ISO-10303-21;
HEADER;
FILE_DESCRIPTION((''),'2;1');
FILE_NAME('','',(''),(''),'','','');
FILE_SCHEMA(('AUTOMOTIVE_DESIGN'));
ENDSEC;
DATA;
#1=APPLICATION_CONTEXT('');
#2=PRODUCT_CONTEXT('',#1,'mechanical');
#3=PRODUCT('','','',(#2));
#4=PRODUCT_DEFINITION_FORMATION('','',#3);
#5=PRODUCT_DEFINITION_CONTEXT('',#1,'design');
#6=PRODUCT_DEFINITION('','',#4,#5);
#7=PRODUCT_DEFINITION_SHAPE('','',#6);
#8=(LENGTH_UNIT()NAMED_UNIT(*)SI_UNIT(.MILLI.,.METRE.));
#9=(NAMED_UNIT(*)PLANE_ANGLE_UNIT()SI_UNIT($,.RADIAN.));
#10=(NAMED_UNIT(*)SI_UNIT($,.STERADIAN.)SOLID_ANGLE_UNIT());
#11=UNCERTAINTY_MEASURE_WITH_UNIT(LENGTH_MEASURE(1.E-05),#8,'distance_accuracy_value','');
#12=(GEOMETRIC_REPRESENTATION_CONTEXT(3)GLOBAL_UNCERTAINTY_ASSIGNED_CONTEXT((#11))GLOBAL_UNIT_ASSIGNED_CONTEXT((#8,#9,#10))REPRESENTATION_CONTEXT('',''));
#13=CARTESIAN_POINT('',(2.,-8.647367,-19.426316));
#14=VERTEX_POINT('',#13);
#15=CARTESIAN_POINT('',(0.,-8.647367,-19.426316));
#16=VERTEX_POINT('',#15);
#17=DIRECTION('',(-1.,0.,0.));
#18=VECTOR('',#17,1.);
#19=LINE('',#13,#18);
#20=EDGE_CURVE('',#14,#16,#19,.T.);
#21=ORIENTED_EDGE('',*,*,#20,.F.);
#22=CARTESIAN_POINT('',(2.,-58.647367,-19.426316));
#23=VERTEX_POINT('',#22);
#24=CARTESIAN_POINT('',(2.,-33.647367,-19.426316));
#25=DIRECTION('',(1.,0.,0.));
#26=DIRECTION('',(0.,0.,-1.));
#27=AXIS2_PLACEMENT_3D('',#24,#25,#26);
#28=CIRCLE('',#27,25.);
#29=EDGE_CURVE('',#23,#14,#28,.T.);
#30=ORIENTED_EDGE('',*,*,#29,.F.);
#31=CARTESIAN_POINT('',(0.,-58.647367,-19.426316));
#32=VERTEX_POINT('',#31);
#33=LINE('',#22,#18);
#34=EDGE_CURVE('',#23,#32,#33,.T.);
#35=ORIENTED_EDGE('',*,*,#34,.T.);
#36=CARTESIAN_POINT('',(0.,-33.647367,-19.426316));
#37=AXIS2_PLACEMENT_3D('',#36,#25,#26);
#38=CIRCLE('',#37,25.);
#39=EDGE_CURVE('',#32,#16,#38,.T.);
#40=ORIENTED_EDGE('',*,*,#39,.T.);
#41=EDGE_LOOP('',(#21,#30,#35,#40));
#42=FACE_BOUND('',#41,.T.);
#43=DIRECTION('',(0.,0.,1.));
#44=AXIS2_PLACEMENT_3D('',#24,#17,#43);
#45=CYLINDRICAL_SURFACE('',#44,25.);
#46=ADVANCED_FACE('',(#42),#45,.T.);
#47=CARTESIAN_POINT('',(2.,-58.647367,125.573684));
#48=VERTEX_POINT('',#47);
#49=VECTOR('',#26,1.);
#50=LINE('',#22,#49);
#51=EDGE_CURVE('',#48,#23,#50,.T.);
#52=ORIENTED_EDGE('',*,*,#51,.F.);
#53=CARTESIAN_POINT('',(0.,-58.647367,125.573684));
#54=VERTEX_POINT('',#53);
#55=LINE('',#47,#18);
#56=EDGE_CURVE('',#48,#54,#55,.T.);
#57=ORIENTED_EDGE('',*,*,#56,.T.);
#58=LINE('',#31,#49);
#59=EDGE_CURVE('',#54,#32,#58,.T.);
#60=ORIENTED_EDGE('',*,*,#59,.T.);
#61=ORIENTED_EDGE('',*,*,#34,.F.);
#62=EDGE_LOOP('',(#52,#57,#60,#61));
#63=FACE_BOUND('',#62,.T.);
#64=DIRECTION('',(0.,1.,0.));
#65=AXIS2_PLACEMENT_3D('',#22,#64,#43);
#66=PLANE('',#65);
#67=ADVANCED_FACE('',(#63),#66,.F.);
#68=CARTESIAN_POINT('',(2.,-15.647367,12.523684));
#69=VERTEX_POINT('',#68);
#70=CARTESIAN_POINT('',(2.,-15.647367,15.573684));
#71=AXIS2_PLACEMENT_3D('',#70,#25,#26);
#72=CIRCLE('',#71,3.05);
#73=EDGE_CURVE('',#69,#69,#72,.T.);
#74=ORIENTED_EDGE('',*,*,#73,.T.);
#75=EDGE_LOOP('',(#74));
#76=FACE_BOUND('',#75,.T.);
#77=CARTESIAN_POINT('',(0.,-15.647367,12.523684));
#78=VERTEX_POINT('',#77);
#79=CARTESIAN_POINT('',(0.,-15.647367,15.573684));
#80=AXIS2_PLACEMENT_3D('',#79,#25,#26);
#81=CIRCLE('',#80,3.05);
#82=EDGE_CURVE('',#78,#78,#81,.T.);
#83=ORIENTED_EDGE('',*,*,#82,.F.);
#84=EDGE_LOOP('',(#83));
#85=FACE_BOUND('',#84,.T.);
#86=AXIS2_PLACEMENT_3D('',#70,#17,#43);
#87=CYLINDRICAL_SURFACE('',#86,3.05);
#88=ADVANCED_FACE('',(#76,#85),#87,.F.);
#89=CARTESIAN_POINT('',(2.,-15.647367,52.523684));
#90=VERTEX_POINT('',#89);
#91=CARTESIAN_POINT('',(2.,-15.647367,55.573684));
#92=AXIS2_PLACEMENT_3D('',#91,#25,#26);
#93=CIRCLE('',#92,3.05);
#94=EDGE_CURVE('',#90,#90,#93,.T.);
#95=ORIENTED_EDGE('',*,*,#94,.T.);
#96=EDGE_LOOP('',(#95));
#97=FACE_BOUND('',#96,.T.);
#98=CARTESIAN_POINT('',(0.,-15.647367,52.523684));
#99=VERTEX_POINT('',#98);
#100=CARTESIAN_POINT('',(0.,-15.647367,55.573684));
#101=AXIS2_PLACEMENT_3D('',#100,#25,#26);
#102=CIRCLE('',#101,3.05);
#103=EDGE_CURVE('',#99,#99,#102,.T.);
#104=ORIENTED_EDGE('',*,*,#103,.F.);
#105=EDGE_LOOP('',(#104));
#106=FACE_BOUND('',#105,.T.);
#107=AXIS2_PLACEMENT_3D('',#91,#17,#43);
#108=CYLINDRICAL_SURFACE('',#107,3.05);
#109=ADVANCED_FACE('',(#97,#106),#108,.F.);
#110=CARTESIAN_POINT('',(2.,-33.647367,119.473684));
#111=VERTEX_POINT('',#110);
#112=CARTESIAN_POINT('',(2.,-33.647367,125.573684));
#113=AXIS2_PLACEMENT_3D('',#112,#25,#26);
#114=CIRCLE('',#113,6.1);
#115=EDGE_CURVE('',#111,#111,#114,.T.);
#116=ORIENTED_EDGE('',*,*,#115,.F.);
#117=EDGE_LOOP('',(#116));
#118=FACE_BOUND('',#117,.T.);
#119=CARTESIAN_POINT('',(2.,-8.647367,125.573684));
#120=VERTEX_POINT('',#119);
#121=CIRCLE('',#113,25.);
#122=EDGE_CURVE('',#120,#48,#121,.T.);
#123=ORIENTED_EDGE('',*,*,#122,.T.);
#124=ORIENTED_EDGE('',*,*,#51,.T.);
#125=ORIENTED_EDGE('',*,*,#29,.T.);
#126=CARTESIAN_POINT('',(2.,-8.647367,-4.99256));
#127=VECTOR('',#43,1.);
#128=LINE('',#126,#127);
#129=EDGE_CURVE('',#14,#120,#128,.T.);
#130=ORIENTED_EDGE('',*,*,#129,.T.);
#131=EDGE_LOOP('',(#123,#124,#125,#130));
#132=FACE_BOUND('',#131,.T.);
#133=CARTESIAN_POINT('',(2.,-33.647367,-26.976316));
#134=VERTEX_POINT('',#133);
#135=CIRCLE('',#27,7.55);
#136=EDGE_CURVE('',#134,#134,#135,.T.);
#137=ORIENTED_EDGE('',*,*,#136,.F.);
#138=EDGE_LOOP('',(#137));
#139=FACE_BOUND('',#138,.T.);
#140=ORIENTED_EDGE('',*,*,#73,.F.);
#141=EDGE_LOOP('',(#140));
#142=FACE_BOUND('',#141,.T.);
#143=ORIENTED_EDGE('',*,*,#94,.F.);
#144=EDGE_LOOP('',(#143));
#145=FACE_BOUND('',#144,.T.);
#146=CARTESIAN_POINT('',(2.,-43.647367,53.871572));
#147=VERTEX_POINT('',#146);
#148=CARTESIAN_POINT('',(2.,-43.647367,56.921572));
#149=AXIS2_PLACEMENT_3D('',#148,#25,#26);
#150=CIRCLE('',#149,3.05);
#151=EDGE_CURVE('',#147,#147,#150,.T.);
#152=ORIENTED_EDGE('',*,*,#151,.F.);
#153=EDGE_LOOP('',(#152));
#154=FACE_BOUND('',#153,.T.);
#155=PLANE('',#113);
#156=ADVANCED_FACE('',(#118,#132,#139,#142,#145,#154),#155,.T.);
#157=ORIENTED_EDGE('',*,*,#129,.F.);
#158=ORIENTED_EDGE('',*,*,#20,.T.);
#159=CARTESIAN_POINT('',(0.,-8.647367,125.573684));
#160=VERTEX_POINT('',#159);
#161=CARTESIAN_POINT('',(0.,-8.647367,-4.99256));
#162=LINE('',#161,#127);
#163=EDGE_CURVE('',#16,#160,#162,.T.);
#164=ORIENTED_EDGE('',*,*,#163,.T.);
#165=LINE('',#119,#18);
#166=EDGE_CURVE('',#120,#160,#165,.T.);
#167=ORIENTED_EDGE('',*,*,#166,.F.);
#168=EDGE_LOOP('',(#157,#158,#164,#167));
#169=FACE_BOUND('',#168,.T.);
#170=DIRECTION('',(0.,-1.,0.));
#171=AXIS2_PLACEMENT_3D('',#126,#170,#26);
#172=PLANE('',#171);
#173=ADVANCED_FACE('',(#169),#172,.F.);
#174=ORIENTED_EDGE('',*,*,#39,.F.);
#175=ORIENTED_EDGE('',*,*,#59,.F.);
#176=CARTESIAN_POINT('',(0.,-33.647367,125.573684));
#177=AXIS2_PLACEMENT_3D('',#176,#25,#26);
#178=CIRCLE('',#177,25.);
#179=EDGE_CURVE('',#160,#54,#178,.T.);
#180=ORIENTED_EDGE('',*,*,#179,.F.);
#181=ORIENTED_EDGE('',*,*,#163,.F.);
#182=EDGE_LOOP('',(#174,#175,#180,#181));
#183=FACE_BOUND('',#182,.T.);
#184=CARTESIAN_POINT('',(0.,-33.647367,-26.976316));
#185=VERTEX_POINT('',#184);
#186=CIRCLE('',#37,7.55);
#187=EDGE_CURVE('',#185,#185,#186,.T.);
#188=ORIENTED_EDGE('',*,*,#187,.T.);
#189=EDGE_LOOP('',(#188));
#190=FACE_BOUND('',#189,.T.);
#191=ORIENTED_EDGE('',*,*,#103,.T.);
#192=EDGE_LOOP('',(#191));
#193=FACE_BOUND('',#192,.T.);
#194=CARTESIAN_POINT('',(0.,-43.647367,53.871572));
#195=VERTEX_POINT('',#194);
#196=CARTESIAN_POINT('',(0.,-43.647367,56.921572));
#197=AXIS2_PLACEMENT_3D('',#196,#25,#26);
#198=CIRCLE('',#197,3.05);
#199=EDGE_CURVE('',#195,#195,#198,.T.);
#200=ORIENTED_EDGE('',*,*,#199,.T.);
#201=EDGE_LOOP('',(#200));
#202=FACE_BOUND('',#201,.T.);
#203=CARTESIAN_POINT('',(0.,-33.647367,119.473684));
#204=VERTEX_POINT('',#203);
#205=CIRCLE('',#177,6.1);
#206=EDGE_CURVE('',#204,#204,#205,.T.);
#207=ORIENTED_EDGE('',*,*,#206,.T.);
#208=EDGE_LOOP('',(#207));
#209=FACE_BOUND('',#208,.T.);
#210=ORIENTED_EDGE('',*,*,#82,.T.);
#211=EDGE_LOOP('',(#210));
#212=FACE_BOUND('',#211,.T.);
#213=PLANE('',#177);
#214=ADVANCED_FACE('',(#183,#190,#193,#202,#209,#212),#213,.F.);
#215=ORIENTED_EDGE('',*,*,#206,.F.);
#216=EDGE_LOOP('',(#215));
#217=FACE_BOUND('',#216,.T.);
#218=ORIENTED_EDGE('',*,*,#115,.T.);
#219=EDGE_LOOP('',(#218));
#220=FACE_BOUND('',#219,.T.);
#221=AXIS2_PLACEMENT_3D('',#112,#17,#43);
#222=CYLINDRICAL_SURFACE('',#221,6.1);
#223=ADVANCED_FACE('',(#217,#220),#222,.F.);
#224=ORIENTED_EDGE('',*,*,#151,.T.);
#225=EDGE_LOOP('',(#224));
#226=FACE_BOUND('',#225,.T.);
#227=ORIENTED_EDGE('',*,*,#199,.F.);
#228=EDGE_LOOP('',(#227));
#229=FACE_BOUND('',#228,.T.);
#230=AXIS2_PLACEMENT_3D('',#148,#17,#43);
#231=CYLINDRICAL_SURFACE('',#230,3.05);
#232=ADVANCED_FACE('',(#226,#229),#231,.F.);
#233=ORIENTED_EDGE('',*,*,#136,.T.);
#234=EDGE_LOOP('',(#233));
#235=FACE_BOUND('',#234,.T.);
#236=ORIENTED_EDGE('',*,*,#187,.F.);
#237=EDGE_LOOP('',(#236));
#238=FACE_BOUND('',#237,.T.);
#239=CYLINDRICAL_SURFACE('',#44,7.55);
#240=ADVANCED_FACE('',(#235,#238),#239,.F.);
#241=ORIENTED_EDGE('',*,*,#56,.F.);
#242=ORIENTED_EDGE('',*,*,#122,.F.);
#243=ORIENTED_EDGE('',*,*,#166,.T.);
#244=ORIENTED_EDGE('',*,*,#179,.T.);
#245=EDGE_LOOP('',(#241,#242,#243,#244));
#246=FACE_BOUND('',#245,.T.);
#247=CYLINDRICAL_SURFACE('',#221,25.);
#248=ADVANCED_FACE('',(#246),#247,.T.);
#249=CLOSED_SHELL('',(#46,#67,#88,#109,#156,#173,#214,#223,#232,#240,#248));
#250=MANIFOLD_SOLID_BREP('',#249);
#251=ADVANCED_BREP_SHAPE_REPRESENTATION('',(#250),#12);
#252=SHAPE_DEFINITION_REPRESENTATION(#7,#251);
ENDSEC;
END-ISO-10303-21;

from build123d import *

# Parameters (mm, degrees)
SKETCH_1_R      = 7.55
SKETCH_1_R_2    = 6.1
SKETCH_1_R_3    = 3.05
EXTRUDE_1_DEPTH = 2


with BuildPart() as part:
    # 草图1 → 凸台-拉伸1 (new body)
    with BuildSketch(Plane(origin=(0, 0, 0), x_dir=(0, 0, -1), z_dir=(1, 0, 0))):
        with BuildLine():
            Line((19.426316451, -58.647367097), (-125.573683549, -58.647367097))
            ThreePointArc((-125.573683549, -58.647367097), (-150.573683549, -33.647367097), (-125.573683549, -8.647367097))
            Line((-125.573683549, -8.647367097), (4.992559722, -8.647367097))
            Line((4.992559722, -8.647367097), (19.426316451, -8.647367097))
            ThreePointArc((19.426316451, -8.647367097), (44.426316451, -33.647367097), (19.426316451, -58.647367097))
        make_face()
        with Locations((19.426316451, -33.647367097)):
            Circle(SKETCH_1_R, mode=Mode.SUBTRACT)
        with Locations((-125.573683549, -33.647367097)):
            Circle(SKETCH_1_R_2, mode=Mode.SUBTRACT)
        with Locations((-56.921571535, -43.647367097)):
            Circle(SKETCH_1_R_3, mode=Mode.SUBTRACT)
        with Locations((-15.573683549, -15.647367097)):
            Circle(SKETCH_1_R_3, mode=Mode.SUBTRACT)
        with Locations((-55.573683549, -15.647367097)):
            Circle(SKETCH_1_R_3, mode=Mode.SUBTRACT)
    extrude(amount=EXTRUDE_1_DEPTH)


solid = part.part
